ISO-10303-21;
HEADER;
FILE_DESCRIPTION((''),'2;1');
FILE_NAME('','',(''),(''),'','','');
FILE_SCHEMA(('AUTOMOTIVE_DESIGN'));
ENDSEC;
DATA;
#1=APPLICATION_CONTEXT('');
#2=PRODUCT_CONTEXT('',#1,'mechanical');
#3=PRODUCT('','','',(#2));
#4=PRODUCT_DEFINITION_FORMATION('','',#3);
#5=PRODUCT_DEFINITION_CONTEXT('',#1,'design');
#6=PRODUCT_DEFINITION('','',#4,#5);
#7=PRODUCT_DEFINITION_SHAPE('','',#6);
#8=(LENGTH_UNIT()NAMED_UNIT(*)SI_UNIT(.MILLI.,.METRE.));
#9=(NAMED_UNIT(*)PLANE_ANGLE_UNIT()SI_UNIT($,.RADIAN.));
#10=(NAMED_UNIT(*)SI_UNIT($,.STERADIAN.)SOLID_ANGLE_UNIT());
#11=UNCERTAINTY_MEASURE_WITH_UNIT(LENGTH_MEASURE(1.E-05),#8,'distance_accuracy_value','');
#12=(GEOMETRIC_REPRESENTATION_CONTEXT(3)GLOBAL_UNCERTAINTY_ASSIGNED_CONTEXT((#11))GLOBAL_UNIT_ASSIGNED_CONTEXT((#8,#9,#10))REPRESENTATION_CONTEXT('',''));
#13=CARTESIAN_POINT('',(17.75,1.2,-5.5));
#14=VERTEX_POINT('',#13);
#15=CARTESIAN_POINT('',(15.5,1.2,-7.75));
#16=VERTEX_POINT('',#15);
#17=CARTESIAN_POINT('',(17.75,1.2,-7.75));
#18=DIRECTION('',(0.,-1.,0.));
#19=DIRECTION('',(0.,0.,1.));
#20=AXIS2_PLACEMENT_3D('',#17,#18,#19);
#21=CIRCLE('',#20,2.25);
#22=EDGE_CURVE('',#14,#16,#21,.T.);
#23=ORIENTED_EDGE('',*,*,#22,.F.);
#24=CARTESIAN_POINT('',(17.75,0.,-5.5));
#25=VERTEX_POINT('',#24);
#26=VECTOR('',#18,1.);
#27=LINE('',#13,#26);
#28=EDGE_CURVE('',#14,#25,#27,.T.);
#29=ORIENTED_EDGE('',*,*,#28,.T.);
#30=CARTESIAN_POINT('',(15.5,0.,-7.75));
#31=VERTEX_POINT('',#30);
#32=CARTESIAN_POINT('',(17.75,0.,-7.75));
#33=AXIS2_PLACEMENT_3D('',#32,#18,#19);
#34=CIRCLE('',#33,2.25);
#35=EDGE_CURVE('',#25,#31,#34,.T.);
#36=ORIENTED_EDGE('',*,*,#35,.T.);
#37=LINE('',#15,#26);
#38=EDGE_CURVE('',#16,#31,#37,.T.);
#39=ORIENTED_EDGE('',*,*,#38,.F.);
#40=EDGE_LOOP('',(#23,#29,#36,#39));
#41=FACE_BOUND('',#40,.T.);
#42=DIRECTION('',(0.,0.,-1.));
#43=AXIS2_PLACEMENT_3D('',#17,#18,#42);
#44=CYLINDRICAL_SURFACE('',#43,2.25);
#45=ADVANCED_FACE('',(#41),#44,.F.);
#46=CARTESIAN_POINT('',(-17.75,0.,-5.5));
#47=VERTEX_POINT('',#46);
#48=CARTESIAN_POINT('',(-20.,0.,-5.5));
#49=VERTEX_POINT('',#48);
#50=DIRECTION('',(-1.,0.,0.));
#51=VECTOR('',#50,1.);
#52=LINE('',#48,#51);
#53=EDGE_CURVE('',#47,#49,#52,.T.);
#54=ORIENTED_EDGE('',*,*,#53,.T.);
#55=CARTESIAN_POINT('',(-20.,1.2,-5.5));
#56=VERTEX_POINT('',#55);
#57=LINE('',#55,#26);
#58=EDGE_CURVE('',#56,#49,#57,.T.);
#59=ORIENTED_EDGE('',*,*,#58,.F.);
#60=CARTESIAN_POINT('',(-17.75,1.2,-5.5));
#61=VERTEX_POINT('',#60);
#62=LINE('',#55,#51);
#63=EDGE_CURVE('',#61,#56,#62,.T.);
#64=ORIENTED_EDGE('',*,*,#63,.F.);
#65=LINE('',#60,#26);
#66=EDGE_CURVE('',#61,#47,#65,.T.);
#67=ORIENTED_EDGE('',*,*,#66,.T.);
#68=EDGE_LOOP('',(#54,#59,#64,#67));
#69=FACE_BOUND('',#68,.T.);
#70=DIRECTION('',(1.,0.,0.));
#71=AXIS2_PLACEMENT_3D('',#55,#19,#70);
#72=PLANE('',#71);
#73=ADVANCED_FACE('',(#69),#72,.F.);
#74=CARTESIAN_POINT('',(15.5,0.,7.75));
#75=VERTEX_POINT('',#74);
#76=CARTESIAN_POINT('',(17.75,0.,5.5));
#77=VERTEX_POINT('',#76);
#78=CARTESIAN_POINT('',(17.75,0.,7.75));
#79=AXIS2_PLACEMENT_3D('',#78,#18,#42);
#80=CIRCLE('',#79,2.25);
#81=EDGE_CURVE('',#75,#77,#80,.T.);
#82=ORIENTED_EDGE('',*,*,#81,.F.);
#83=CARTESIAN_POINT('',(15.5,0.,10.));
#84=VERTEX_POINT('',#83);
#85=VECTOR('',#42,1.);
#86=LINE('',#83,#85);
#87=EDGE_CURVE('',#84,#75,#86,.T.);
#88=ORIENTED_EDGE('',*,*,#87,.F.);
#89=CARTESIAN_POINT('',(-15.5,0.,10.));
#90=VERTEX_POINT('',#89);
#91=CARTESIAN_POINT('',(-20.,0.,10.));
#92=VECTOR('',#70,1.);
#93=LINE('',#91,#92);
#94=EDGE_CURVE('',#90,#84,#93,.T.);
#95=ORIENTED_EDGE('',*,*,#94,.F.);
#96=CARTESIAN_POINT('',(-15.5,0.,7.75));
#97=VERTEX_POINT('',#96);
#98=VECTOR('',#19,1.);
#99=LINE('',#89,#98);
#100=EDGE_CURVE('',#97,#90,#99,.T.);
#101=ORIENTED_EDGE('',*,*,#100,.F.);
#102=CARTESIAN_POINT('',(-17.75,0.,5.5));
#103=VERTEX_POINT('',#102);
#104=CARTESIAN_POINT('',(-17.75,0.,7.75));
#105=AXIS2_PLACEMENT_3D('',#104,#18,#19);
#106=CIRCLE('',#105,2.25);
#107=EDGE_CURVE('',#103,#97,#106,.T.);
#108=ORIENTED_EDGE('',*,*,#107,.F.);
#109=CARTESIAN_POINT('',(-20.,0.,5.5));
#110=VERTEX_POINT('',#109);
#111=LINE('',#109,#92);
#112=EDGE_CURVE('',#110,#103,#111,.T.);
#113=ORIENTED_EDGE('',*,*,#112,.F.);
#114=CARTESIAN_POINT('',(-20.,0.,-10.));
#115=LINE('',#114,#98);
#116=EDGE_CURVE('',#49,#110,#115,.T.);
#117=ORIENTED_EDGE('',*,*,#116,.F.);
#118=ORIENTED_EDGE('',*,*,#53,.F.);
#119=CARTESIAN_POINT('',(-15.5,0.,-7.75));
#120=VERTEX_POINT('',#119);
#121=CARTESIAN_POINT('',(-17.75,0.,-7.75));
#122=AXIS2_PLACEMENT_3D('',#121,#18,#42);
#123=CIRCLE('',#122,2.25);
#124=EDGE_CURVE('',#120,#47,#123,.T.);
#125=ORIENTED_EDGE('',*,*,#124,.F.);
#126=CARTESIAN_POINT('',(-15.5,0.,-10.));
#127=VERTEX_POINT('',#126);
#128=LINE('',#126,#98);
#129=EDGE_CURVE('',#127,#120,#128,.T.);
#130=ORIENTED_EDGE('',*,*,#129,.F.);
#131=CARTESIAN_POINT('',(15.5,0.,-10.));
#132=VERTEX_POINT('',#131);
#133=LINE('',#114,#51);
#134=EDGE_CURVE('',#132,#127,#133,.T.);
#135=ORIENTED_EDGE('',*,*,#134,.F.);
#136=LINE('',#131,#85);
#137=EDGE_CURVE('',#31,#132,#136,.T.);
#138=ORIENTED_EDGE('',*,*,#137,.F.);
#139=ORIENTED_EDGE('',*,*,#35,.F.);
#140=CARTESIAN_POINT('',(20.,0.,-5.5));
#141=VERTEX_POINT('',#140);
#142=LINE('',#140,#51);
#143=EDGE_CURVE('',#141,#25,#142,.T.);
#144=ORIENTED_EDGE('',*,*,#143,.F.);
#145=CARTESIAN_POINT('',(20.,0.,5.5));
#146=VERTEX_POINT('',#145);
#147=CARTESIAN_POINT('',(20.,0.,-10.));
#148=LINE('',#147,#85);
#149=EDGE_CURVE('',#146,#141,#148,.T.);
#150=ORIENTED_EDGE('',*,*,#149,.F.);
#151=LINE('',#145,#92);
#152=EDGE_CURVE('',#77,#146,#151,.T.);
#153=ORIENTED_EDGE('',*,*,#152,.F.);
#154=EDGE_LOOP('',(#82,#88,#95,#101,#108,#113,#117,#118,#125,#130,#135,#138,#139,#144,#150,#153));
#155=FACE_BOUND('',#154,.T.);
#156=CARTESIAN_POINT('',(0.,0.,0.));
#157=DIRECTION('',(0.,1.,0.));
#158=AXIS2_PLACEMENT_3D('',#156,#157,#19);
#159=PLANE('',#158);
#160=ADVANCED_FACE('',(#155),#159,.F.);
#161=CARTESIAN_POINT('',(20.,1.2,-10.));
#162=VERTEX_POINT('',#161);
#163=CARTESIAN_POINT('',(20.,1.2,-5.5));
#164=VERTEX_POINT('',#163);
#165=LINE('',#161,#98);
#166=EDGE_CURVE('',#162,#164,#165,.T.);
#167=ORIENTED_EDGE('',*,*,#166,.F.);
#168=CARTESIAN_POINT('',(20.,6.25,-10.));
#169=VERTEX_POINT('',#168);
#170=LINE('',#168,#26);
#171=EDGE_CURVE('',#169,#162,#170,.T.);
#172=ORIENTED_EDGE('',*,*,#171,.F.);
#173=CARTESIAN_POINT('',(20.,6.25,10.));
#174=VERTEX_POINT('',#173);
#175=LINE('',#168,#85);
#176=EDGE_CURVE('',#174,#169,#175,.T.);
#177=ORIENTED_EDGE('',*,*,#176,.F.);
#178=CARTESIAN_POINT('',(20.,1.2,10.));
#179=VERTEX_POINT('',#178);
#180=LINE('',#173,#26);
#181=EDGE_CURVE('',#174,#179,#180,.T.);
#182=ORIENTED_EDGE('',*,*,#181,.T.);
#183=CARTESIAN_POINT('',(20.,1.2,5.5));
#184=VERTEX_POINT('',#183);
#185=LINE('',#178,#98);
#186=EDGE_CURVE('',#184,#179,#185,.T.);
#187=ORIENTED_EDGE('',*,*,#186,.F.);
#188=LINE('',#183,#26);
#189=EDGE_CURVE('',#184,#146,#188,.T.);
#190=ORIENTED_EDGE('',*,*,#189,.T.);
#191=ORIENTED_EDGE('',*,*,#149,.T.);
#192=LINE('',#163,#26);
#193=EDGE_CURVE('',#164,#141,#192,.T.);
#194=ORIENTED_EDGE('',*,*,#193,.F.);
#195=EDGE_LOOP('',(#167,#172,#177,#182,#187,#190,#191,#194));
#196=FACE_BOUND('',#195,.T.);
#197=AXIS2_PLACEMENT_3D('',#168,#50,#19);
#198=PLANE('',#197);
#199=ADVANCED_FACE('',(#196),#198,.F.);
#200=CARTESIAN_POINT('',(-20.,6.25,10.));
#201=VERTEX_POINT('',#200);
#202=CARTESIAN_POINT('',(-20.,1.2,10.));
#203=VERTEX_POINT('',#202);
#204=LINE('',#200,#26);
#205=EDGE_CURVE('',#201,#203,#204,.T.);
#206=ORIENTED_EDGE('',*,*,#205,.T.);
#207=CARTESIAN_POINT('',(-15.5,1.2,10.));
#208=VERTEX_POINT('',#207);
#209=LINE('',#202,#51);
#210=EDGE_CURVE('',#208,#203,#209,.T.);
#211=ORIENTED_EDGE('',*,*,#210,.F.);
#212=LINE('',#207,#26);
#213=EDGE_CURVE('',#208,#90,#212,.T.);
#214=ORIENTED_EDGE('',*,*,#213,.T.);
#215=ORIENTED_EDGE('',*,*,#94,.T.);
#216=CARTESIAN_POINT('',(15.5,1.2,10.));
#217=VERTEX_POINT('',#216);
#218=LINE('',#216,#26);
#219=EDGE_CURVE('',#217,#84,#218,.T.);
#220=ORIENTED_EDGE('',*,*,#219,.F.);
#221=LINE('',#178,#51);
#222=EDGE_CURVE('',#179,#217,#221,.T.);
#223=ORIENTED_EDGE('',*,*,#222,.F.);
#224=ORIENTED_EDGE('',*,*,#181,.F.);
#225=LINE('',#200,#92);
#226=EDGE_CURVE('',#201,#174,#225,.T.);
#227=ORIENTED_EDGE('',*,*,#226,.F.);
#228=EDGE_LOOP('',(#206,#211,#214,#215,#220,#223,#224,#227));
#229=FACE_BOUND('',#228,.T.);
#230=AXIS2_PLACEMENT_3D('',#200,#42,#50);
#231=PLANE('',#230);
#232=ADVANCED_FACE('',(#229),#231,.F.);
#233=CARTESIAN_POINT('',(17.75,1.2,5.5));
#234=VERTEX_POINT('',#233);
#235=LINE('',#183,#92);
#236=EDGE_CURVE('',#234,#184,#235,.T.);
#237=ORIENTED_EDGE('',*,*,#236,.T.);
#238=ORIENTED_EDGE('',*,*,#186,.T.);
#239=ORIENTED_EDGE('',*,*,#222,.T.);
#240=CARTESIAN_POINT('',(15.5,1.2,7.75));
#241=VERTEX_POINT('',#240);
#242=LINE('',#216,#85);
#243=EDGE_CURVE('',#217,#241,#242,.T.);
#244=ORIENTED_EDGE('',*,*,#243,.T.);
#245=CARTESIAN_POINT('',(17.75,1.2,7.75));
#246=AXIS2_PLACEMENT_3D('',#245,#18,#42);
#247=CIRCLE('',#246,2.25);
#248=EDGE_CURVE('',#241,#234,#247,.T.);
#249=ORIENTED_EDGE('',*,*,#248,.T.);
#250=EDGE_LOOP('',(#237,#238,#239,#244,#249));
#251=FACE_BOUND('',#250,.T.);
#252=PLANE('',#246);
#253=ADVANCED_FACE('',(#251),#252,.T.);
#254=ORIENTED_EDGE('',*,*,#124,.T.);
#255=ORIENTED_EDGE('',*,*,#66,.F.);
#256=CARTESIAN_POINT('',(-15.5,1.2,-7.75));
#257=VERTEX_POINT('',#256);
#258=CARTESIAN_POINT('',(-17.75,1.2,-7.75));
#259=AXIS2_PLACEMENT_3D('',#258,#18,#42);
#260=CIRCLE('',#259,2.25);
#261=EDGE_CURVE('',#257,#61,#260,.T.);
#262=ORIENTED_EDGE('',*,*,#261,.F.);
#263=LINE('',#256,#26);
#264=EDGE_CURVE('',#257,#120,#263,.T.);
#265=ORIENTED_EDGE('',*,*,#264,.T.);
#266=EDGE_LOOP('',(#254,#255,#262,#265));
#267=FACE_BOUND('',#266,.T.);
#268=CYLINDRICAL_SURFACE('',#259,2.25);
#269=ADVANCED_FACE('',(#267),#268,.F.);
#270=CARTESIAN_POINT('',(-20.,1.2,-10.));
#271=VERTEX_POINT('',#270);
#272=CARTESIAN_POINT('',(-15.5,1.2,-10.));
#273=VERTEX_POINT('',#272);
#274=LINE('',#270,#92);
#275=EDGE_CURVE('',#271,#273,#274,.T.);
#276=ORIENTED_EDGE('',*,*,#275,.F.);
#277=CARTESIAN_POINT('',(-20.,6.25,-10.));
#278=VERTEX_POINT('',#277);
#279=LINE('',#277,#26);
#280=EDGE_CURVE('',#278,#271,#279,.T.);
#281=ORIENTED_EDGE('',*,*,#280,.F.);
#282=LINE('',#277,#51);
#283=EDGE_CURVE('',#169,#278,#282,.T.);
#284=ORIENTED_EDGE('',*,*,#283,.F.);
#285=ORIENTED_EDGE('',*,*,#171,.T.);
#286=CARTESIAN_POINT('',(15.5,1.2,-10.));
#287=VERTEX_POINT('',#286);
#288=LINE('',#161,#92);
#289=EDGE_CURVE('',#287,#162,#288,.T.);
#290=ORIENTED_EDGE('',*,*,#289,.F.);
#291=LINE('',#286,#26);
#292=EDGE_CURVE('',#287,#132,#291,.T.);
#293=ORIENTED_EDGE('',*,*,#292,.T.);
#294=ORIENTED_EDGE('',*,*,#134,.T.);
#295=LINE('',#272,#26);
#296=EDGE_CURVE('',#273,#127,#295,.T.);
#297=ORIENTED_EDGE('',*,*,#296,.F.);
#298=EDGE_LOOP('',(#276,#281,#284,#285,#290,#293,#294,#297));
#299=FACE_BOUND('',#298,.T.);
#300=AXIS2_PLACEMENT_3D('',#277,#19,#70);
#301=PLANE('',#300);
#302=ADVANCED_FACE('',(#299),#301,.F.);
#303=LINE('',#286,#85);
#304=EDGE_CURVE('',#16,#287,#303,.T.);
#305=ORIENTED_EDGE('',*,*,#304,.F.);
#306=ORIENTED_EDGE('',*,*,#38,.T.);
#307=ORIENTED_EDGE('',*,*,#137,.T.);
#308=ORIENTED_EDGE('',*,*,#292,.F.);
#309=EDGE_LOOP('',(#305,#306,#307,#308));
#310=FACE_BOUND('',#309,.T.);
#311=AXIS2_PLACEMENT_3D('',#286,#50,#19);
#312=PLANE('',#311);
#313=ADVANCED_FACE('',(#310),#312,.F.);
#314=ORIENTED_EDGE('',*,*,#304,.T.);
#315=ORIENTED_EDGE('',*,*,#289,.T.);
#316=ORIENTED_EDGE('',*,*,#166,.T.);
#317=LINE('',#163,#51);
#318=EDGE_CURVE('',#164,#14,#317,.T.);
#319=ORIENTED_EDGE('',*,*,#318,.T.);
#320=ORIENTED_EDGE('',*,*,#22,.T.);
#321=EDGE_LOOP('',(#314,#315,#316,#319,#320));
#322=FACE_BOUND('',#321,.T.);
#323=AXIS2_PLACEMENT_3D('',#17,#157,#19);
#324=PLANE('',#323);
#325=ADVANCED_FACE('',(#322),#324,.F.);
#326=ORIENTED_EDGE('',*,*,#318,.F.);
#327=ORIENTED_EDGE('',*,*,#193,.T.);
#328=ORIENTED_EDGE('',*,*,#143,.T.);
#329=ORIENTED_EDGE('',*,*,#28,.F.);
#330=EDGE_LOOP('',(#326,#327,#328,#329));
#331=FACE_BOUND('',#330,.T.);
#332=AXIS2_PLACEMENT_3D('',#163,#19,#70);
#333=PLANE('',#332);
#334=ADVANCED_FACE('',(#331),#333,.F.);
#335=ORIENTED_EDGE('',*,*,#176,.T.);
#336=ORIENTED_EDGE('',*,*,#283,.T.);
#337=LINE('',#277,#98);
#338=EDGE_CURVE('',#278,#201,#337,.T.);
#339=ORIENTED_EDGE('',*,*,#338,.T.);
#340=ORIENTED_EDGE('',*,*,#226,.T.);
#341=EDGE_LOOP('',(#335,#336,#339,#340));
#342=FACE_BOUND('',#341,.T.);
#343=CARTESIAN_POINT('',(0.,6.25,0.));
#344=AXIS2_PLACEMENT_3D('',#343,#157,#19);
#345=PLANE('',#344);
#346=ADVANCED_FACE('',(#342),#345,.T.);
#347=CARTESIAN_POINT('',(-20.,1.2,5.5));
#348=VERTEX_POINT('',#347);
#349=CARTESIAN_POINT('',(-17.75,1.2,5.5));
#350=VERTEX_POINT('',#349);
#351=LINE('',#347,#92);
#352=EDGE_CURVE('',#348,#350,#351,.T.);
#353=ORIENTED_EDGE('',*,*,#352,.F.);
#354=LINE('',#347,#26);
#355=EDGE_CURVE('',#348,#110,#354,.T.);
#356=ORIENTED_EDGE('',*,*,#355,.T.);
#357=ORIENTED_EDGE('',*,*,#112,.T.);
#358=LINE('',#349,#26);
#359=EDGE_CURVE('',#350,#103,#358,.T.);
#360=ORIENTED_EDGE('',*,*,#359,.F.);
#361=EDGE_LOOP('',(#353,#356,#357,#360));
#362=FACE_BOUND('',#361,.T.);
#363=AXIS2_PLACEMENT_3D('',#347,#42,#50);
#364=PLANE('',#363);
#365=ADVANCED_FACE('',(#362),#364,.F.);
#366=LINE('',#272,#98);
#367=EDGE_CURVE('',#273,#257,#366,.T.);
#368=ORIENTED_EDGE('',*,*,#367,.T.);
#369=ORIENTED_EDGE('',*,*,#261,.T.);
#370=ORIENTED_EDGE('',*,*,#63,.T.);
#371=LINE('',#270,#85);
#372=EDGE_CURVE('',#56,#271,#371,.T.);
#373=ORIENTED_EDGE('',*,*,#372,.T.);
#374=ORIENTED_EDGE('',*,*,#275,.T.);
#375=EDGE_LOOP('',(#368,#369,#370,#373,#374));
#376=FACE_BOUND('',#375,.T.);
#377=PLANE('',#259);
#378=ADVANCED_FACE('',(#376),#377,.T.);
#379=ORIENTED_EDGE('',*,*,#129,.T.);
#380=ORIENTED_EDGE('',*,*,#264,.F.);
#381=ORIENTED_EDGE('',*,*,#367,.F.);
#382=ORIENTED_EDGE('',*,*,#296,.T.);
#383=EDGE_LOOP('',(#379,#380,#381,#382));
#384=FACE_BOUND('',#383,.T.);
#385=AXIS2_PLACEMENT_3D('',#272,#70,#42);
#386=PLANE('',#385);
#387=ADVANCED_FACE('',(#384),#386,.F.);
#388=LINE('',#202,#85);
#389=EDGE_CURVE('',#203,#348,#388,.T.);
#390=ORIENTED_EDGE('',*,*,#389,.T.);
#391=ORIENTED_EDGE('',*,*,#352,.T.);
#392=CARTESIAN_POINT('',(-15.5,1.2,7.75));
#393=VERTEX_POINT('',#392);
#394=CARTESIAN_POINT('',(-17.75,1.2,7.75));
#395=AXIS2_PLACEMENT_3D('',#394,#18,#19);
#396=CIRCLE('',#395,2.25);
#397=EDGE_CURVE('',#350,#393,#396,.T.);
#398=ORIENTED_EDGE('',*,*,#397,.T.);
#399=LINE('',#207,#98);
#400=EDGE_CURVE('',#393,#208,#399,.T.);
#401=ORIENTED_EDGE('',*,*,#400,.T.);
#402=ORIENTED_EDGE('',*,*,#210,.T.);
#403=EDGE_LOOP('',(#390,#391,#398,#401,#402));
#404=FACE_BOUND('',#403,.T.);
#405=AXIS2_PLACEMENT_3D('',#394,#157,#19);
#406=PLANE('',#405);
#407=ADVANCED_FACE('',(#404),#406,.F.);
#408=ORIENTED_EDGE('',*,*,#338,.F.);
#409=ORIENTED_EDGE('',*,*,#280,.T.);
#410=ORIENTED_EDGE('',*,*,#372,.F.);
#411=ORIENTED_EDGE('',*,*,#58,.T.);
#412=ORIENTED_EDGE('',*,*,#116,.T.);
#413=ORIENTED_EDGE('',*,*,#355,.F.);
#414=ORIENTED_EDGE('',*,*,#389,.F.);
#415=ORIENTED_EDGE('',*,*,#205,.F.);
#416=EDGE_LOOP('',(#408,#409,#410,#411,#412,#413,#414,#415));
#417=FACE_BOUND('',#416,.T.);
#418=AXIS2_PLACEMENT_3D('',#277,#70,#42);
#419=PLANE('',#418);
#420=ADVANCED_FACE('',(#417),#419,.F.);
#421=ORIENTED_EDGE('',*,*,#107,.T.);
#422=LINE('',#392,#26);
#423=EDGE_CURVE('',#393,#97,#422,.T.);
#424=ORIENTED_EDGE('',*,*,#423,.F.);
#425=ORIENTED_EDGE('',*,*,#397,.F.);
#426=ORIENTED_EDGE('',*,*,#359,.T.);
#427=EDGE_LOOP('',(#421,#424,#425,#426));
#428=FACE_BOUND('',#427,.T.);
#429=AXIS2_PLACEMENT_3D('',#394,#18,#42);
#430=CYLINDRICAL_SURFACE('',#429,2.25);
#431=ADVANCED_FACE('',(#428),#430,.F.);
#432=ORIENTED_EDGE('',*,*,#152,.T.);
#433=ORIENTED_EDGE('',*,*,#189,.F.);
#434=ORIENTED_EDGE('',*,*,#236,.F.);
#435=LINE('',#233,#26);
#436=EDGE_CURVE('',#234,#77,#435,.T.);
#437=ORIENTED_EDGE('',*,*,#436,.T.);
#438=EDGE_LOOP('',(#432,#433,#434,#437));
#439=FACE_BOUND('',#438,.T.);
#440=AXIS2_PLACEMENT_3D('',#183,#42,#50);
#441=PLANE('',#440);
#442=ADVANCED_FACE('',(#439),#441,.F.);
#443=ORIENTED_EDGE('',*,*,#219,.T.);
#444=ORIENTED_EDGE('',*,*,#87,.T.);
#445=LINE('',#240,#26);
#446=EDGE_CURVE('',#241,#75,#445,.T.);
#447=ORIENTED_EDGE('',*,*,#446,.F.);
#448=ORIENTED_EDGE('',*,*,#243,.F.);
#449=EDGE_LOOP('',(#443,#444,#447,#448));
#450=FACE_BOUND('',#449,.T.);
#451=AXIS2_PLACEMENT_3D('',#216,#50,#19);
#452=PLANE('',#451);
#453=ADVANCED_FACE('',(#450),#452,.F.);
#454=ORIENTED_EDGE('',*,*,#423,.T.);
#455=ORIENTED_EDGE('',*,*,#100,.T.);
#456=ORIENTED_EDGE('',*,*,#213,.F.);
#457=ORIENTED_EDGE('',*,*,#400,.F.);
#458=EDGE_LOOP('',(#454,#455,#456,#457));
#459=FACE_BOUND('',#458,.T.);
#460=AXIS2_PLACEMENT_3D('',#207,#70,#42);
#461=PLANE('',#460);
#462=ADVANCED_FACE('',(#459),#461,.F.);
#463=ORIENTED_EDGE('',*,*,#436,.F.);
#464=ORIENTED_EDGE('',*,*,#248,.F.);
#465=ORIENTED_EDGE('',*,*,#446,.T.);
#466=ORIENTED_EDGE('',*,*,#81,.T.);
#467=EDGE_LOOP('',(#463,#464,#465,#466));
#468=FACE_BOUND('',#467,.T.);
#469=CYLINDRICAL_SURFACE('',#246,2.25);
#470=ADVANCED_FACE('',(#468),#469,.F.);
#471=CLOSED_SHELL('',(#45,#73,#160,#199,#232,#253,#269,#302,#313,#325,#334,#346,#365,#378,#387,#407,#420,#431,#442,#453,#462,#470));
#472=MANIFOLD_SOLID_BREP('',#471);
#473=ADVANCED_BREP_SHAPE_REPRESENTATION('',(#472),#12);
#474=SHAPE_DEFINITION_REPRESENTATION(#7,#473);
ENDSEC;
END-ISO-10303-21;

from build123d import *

# Parameters (mm, degrees)
CROQUIS_BASE_W          = 40
CROQUIS_BASE_H          = 20
SALIENTE_EXTRUIR1_DEPTH = 6.25
CORTAR_EXTRUIR1_DEPTH   = 1.2


with BuildPart() as part:
    # Croquis base → Saliente-Extruir1 (new body)
    with BuildSketch(Plane(origin=(0, 0, 0), x_dir=(1, 0, 0), z_dir=(0, 1, 0))):
        Rectangle(CROQUIS_BASE_W, CROQUIS_BASE_H)
    extrude(amount=SALIENTE_EXTRUIR1_DEPTH)

    # Croquis base detalles → Cortar-Extruir1 (cut)
    with BuildSketch(Plane.XZ):
        with BuildLine():
            Line((15.5, 10), (15.5, 7.75))
            ThreePointArc((15.5, 7.75), (16.159009742, 6.159009742), (17.75, 5.5))
            Line((17.75, 5.5), (20, 5.5))
            Line((20, 5.5), (20, 10))
            Line((20, 10), (15.5, 10))
        make_face()
        with BuildLine():
            Line((-20, 10), (-15.5, 10))
            Line((-15.5, 10), (-15.5, 7.75))
            ThreePointArc((-15.5, 7.75), (-16.159009742, 6.159009742), (-17.75, 5.5))
            Line((-17.75, 5.5), (-20, 5.5))
            Line((-20, 5.5), (-20, 10))
        make_face()
        with BuildLine():
            Line((20, -10), (15.5, -10))
            Line((15.5, -10), (15.5, -7.75))
            ThreePointArc((15.5, -7.75), (16.159009742, -6.159009742), (17.75, -5.5))
            Line((17.75, -5.5), (20, -5.5))
            Line((20, -5.5), (20, -10))
        make_face()
        with BuildLine():
            Line((-15.5, -10), (-15.5, -7.75))
            ThreePointArc((-15.5, -7.75), (-16.159009742, -6.159009742), (-17.75, -5.5))
            Line((-17.75, -5.5), (-20, -5.5))
            Line((-20, -5.5), (-20, -10))
            Line((-20, -10), (-15.5, -10))
        make_face()
    extrude(amount=-CORTAR_EXTRUIR1_DEPTH, mode=Mode.SUBTRACT)


solid = part.part
